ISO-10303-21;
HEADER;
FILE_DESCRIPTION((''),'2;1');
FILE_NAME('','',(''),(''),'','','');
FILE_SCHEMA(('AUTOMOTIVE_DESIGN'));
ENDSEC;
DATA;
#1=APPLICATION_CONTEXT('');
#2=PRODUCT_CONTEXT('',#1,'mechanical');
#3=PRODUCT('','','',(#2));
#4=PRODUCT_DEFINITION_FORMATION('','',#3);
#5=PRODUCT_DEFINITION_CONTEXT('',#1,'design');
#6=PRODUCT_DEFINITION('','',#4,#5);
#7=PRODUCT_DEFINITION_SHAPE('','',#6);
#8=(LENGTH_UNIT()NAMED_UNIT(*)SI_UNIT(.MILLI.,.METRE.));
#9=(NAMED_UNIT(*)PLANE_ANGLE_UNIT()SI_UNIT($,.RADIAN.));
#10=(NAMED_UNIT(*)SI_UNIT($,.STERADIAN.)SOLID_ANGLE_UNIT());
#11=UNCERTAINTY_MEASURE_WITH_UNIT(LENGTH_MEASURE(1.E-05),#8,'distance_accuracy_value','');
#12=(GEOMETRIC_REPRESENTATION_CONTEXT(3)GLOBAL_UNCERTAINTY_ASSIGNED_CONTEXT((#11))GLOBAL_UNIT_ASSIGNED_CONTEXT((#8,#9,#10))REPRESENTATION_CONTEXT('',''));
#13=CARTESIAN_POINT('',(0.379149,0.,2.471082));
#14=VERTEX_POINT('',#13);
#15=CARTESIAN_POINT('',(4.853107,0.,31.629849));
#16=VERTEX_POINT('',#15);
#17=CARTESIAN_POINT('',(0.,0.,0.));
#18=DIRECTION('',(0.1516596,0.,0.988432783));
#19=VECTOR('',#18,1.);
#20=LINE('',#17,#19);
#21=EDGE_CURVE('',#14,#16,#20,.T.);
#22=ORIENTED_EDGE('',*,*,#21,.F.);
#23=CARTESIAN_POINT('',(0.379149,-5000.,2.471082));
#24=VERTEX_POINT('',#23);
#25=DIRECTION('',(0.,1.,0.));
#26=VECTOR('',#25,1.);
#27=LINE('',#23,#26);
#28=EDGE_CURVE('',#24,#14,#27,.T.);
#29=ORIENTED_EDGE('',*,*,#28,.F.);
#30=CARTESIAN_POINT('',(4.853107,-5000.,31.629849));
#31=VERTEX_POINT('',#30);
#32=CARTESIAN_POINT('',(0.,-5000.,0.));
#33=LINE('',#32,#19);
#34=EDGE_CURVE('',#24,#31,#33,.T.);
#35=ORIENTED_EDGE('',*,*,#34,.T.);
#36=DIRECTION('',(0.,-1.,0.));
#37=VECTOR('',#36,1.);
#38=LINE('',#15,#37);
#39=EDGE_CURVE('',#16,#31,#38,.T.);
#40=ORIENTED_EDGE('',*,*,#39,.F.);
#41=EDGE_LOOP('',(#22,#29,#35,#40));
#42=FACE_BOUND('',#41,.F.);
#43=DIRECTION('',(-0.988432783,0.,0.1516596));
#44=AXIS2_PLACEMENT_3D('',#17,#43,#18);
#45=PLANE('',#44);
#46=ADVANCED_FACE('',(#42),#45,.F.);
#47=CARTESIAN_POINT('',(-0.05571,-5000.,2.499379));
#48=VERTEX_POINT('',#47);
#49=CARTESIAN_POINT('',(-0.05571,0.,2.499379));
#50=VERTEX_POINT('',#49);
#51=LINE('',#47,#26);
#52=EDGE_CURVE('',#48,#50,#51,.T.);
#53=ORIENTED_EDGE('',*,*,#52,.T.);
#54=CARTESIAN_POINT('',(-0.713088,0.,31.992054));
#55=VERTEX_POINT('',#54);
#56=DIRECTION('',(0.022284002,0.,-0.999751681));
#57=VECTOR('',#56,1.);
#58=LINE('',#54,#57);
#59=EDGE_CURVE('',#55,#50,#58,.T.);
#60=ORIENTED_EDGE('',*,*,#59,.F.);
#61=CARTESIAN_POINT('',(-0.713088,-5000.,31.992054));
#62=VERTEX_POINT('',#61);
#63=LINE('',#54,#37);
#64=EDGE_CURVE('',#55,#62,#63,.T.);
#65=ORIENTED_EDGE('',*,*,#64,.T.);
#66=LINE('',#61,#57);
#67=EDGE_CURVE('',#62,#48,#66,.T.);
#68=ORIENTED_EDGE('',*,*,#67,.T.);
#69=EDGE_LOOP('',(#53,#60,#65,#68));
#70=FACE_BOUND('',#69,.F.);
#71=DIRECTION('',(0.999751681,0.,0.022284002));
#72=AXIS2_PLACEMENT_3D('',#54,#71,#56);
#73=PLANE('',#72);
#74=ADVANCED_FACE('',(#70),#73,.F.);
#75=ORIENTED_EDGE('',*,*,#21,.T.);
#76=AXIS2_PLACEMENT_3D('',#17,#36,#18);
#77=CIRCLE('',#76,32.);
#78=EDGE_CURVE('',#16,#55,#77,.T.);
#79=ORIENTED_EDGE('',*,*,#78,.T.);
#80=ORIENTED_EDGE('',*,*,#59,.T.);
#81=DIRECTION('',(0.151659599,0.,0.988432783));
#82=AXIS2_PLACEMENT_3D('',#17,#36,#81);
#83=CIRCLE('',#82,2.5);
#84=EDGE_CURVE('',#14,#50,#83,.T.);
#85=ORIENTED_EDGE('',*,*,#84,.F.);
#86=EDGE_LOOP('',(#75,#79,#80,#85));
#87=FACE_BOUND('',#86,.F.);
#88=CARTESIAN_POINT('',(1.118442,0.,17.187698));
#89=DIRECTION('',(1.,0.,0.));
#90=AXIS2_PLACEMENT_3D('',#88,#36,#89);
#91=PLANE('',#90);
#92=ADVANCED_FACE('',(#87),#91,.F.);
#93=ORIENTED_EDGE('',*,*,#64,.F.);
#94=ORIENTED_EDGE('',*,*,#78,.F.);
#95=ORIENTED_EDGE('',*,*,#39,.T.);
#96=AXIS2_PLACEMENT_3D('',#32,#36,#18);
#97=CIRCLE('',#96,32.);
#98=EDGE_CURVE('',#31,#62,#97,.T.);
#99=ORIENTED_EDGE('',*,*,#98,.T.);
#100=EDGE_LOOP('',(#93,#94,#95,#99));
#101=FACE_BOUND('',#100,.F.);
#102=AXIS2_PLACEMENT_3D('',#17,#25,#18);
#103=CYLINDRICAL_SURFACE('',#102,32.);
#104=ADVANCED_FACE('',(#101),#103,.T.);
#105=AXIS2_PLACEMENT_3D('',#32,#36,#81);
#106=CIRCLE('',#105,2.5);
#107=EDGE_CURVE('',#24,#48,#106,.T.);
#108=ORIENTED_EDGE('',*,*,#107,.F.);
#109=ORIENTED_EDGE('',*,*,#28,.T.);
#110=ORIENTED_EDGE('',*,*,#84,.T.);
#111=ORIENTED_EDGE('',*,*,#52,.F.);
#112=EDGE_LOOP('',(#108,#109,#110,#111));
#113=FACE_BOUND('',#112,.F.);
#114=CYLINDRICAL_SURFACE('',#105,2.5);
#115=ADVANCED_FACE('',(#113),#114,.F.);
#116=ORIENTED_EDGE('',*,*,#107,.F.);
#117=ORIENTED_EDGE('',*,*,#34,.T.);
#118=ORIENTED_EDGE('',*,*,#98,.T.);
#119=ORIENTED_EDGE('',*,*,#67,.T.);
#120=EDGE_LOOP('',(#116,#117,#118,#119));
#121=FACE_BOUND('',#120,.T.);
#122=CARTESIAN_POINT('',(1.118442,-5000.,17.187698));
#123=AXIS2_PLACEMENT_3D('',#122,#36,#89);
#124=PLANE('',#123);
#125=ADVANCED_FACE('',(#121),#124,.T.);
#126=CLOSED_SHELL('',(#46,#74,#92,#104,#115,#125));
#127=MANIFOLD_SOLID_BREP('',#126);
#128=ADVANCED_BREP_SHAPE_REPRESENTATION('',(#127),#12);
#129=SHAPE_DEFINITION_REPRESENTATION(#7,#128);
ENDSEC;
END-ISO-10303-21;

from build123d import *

# Parameters (mm, degrees)
F1_DEPTH = 5000
F3_DEPTH = 5000.001


with BuildPart() as f1:
    # F0 (on Front) → F1 (new body)
    with BuildSketch(Plane.XZ):
        with BuildLine():
            Line((0, 0), (4.8531071868, 31.6298490454))
            ThreePointArc((4.8531071868, 31.6298490454), (2.0779166622, 31.9324640819), (-0.7130880628, 31.9920537855))
            Line((-0.7130880628, 31.9920537855), (0, 0))
        make_face()
    extrude(amount=F1_DEPTH)

    # F2 (on face) → F3 (cut, through all)
    with BuildSketch(Plane.XZ.offset(5000)):
        with BuildLine():
            Line((0, 0), (0.379148999, 2.4710819567))
            ThreePointArc((0.379148999, 2.4710819567), (0.1623372392, 2.4947237564), (-0.0557100049, 2.499379202))
            Line((-0.0557100049, 2.499379202), (0, 0))
        make_face()
    extrude(amount=-F3_DEPTH, mode=Mode.SUBTRACT)


solid = f1.part
